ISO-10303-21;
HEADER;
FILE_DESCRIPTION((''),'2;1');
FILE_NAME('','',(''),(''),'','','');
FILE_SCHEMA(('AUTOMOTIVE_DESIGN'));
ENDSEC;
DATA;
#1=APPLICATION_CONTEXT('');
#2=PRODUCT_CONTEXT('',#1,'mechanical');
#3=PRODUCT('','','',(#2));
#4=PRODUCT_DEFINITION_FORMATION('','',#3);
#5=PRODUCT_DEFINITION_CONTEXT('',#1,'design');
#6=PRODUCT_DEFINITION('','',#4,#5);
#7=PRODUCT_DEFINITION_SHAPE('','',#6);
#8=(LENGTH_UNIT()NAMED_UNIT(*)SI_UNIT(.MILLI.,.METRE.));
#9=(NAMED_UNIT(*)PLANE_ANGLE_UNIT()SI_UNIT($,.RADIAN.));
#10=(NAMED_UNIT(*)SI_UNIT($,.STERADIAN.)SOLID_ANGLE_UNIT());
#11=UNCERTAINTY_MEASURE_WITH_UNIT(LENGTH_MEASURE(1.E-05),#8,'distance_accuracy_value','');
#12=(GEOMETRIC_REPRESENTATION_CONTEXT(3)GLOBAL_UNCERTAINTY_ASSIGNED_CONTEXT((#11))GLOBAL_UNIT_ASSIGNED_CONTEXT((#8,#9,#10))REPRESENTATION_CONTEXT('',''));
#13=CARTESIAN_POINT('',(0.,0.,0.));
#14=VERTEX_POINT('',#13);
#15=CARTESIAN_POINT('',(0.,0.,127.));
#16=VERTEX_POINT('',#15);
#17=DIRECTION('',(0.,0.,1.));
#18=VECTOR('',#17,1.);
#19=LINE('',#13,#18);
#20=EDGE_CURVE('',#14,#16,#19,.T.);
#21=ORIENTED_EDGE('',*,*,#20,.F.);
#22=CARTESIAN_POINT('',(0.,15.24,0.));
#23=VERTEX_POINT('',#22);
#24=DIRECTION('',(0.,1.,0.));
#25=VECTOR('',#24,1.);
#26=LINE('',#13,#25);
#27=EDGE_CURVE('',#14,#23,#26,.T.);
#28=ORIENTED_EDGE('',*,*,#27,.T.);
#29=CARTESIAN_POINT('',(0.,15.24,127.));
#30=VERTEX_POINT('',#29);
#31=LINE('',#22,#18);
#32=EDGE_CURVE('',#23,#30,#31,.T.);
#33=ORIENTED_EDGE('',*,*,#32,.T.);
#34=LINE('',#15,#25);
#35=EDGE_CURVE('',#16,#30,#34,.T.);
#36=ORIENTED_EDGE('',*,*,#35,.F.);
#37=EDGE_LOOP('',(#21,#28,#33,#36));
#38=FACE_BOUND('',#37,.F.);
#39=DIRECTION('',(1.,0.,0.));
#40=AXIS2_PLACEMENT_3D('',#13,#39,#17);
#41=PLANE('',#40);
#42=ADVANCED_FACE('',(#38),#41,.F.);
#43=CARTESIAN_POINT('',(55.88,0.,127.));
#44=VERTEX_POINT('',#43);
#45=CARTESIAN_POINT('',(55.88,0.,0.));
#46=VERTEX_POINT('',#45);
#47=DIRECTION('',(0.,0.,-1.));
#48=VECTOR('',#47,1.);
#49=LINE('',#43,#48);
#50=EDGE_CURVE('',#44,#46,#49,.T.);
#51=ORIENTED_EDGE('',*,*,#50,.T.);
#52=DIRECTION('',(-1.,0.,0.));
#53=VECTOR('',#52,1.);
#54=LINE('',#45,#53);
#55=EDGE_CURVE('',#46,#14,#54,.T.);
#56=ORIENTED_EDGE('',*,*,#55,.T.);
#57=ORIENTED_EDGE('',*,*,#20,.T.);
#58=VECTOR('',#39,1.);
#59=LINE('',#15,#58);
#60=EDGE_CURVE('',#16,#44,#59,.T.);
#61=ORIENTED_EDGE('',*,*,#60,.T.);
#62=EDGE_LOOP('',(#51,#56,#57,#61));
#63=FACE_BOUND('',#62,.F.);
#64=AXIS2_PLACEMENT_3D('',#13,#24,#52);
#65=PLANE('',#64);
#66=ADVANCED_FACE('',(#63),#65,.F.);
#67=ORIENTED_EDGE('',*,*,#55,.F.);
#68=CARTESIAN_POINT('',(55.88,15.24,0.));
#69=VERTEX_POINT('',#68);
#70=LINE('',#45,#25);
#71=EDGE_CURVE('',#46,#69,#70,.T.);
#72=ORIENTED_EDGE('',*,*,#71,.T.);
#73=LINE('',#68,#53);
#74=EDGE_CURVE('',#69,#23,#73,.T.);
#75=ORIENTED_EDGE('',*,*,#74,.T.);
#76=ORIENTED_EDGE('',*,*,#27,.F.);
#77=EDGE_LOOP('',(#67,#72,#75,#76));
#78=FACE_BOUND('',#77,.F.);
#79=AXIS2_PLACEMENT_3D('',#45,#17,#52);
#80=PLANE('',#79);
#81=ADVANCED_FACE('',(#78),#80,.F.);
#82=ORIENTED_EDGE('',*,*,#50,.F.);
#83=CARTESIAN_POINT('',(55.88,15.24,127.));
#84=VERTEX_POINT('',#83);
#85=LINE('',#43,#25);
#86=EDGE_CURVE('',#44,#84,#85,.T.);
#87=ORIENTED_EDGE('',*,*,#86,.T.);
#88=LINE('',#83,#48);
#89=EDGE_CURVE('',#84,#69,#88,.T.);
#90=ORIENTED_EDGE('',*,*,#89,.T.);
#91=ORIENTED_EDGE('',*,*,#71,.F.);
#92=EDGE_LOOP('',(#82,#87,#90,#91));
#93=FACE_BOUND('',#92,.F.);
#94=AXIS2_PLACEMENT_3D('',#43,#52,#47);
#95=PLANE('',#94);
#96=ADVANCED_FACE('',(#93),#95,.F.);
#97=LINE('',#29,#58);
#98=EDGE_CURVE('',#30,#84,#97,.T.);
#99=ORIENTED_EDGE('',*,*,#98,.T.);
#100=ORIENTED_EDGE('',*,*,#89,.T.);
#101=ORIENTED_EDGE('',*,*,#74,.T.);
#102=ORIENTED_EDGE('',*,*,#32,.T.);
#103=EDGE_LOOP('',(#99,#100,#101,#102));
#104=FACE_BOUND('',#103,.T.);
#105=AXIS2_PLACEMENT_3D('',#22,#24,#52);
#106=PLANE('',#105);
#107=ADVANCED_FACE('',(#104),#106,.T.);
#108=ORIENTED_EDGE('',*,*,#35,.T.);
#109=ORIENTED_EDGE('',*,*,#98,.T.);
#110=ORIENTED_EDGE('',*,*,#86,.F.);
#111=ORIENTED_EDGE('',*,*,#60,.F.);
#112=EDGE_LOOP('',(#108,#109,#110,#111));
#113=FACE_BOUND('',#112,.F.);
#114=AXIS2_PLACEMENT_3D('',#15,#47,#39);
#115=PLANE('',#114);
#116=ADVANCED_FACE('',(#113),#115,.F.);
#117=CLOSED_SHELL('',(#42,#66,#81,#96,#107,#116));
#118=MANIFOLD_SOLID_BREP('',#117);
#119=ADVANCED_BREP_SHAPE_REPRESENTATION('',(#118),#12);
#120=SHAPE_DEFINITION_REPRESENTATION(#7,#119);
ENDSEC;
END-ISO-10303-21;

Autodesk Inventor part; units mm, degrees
ref_plane "YZ Plane" through (0, 0, 0) normal (1, 0, 0) x (0, 1, 0)
ref_plane "XZ Plane" through (0, 0, 0) normal (0, 1, 0) x (-1, 0, 0)
ref_plane "XY Plane" through (0, 0, 0) normal (0, 0, 1) x (1, 0, 0)
sketch "Sketch1" plane through (0, 0, 0) normal (0, 1, 0) x (-1, 0, 0)
  line L0 (0, 0) -> (0, 127)
  line L1 (0, 127) -> (-55.88, 127)
  line L2 (-55.88, 127) -> (-55.88, 0)
  line L3 (-55.88, 0) -> (0, 0)
  dimension "d0" = 127
  dimension "d1" = 55.88
extrude "Extrusion1" add sketch "Sketch1" along normal blind 15.24
properties part number "Raspberry Pi"
